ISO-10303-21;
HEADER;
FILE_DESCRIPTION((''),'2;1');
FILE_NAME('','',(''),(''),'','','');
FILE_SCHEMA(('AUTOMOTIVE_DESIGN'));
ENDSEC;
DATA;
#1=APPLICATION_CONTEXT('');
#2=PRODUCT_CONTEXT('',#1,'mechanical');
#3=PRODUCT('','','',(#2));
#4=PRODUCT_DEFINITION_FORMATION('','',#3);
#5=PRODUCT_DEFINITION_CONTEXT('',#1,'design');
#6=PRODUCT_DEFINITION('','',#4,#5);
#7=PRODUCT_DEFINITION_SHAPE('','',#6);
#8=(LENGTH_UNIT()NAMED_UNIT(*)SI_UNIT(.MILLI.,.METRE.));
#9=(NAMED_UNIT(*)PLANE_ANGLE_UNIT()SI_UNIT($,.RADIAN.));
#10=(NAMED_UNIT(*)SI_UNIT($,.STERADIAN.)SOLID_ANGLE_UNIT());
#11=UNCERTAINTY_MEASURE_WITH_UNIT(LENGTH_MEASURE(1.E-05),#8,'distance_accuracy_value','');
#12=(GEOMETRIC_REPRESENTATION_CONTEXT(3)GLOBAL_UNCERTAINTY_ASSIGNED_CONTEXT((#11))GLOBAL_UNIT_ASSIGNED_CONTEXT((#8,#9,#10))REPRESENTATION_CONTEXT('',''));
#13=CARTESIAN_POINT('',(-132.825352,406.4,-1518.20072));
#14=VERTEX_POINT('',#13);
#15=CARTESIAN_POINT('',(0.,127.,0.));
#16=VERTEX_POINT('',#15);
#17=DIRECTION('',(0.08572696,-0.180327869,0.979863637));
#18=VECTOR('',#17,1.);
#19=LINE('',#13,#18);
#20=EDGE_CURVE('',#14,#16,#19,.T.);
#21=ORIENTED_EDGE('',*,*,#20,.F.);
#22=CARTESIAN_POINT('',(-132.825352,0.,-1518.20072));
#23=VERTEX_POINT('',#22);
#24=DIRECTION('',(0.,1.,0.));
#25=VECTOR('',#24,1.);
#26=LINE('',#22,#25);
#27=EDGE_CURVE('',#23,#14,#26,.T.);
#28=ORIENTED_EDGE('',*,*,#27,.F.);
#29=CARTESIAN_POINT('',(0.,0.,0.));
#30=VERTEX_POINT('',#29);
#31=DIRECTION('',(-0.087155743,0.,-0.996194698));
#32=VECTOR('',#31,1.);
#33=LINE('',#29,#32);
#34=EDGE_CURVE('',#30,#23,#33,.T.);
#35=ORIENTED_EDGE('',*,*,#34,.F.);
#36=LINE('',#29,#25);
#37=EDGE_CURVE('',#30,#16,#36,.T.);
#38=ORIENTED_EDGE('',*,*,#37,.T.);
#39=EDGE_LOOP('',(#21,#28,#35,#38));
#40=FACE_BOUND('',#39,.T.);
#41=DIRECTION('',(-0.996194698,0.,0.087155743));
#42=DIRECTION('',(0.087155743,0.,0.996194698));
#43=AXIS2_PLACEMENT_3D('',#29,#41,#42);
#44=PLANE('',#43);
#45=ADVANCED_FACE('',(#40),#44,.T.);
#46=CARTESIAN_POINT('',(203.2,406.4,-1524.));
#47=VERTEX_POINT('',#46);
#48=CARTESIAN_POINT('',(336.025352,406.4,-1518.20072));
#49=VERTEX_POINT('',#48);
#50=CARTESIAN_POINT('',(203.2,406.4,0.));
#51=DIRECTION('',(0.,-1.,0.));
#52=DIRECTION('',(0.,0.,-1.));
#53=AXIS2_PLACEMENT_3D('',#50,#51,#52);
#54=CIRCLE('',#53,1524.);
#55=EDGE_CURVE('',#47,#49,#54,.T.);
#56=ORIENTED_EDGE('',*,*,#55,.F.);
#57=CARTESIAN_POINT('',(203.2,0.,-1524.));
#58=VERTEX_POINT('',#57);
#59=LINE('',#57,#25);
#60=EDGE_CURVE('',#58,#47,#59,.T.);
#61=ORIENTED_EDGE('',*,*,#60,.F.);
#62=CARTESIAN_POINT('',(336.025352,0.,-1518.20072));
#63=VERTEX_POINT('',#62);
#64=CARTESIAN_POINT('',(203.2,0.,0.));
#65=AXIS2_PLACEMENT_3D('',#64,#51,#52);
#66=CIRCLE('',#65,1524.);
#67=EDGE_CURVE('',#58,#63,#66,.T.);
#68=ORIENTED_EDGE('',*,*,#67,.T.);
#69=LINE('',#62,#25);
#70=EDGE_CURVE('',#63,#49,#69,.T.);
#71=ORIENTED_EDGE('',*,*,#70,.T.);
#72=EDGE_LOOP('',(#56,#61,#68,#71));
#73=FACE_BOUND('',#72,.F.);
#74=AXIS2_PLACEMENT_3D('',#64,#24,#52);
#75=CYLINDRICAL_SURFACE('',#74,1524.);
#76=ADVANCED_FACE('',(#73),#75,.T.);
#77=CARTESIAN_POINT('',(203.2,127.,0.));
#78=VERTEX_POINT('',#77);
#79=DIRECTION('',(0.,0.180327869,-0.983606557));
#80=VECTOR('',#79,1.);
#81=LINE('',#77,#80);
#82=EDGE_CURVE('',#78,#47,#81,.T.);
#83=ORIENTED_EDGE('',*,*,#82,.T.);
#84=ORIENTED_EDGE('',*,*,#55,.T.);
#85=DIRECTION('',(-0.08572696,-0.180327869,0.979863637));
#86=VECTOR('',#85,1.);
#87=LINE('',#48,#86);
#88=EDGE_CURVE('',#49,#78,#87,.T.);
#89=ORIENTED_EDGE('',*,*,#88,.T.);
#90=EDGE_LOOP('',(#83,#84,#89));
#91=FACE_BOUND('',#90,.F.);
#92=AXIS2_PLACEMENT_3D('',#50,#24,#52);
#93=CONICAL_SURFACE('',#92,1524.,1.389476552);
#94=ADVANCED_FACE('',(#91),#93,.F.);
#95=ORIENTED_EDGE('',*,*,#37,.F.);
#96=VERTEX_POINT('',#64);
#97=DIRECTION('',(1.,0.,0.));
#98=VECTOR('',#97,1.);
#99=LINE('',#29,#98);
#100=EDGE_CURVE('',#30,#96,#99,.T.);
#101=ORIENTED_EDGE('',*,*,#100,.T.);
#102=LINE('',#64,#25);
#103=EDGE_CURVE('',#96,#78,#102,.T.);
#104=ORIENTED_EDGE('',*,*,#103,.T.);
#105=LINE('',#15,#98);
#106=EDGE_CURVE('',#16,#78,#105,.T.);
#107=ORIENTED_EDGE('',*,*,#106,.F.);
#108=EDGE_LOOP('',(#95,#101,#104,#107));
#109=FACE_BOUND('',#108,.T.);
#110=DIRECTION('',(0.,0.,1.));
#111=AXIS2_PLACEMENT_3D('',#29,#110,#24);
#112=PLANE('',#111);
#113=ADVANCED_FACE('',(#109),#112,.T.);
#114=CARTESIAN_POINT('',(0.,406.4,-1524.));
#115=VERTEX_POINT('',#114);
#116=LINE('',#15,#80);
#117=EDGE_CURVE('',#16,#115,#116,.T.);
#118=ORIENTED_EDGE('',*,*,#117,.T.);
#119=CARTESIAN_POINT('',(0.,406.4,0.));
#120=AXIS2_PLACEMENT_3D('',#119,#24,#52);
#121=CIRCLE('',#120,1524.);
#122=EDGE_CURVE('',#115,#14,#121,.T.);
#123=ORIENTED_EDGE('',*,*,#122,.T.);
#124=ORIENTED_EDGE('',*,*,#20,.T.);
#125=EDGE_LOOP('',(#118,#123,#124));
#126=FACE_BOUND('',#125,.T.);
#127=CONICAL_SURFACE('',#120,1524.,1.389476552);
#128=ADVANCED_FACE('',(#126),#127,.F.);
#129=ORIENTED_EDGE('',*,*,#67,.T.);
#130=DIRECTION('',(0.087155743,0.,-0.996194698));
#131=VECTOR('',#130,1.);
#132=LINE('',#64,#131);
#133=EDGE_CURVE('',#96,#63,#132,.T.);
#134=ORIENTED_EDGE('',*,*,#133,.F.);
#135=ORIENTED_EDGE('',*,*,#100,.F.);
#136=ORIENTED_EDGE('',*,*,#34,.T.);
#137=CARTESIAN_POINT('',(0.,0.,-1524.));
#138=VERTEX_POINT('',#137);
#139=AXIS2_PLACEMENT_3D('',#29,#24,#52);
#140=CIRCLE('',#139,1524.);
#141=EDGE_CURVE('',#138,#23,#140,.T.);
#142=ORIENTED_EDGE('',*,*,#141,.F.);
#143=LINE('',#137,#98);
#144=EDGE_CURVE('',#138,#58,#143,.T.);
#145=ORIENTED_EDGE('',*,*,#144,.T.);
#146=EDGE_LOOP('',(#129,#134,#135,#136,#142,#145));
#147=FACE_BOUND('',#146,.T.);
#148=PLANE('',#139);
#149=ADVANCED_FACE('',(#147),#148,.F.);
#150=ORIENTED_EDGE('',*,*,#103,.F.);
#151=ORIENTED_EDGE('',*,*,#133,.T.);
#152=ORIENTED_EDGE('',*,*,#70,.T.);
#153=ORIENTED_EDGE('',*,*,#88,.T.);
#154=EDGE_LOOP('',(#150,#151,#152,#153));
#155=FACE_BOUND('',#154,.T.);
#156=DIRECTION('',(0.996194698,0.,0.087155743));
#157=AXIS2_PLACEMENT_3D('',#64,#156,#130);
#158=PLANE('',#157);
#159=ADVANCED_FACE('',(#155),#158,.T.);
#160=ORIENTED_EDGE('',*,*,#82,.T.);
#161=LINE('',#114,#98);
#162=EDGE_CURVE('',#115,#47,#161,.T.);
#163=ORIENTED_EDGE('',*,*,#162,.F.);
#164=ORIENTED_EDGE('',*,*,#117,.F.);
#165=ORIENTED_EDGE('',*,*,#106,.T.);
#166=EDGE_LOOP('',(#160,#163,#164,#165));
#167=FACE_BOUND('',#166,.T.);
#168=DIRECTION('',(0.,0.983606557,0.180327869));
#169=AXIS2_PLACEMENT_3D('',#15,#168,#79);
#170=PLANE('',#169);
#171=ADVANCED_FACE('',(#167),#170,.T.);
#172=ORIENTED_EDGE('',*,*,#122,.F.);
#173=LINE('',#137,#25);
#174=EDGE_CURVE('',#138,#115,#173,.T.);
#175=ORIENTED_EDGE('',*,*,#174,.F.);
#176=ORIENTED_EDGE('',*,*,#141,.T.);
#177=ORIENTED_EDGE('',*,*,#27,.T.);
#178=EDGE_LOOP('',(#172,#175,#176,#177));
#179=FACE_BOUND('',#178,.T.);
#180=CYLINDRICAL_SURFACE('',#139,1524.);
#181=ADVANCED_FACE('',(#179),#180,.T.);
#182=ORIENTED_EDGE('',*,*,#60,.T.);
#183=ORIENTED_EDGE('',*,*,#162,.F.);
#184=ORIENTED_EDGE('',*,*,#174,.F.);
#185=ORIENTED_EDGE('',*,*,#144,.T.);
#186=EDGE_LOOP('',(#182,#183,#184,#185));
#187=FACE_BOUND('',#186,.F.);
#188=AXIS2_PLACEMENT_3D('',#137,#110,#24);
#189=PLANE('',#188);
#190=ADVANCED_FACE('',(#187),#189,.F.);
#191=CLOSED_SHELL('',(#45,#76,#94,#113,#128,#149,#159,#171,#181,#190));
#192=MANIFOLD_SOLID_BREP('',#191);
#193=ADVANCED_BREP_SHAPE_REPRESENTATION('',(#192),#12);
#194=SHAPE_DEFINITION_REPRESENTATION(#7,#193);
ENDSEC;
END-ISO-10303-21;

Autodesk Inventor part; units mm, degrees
ref_plane "YZ Plane" through (0, 0, 0) normal (1, 0, 0) x (0, 1, 0)
ref_plane "XZ Plane" through (0, 0, 0) normal (0, 1, 0) x (-1, 0, 0)
ref_plane "XY Plane" through (0, 0, 0) normal (0, 0, 1) x (1, 0, 0)
sketch "Sketch1" plane through (0, 0, 0) normal (1, 0, 0) x (0, 1, 0)
  line L0 (0, 0) -> (0, -1524)
  line L1 (0, -1524) -> (406.4, -1524)
  line L2 (0, 0) -> (127, 0)
  line L3 (127, 0) -> (406.4, -1524)
  dimension "d0" = 1524
  dimension "d1" = 406.4
  dimension "d2" = 127
extrude "Extrusion1" add sketch "Sketch1" along normal blind 203.2
sketch "Sketch2" plane through (203.2, 0, 0) normal (1, 0, 0) x (0, 0, -1)
  line L0 (0, 0) -> (1524, 0) projected
  line L1 (1524, 0) -> (1524, 406.4) projected
  line L2 (1524, 406.4) -> (0, 127) projected
  line L3 (0, 127) -> (0, 0) projected
revolve "Revolution1" add sketch "Sketch2" angle 5 about axis through (203.2, 127, 0) along (0, -1, 0)
sketch "Sketch3" plane through (0, 0, 0) normal (-1, 0, 0) x (0, 0, 1)
  line L0 (0, 0) -> (-1524, 0) projected
  line L1 (0, 127) -> (0, 0) projected
  line L2 (-1524, 406.4) -> (0, 127) projected
  line L3 (-1524, 0) -> (-1524, 406.4) projected
revolve "Revolution2" add sketch "Sketch3" angle 5 about axis through (0, 127, 0) along (0, 1, 0)
properties part number "ramp" material "Wood (Cherry)"
